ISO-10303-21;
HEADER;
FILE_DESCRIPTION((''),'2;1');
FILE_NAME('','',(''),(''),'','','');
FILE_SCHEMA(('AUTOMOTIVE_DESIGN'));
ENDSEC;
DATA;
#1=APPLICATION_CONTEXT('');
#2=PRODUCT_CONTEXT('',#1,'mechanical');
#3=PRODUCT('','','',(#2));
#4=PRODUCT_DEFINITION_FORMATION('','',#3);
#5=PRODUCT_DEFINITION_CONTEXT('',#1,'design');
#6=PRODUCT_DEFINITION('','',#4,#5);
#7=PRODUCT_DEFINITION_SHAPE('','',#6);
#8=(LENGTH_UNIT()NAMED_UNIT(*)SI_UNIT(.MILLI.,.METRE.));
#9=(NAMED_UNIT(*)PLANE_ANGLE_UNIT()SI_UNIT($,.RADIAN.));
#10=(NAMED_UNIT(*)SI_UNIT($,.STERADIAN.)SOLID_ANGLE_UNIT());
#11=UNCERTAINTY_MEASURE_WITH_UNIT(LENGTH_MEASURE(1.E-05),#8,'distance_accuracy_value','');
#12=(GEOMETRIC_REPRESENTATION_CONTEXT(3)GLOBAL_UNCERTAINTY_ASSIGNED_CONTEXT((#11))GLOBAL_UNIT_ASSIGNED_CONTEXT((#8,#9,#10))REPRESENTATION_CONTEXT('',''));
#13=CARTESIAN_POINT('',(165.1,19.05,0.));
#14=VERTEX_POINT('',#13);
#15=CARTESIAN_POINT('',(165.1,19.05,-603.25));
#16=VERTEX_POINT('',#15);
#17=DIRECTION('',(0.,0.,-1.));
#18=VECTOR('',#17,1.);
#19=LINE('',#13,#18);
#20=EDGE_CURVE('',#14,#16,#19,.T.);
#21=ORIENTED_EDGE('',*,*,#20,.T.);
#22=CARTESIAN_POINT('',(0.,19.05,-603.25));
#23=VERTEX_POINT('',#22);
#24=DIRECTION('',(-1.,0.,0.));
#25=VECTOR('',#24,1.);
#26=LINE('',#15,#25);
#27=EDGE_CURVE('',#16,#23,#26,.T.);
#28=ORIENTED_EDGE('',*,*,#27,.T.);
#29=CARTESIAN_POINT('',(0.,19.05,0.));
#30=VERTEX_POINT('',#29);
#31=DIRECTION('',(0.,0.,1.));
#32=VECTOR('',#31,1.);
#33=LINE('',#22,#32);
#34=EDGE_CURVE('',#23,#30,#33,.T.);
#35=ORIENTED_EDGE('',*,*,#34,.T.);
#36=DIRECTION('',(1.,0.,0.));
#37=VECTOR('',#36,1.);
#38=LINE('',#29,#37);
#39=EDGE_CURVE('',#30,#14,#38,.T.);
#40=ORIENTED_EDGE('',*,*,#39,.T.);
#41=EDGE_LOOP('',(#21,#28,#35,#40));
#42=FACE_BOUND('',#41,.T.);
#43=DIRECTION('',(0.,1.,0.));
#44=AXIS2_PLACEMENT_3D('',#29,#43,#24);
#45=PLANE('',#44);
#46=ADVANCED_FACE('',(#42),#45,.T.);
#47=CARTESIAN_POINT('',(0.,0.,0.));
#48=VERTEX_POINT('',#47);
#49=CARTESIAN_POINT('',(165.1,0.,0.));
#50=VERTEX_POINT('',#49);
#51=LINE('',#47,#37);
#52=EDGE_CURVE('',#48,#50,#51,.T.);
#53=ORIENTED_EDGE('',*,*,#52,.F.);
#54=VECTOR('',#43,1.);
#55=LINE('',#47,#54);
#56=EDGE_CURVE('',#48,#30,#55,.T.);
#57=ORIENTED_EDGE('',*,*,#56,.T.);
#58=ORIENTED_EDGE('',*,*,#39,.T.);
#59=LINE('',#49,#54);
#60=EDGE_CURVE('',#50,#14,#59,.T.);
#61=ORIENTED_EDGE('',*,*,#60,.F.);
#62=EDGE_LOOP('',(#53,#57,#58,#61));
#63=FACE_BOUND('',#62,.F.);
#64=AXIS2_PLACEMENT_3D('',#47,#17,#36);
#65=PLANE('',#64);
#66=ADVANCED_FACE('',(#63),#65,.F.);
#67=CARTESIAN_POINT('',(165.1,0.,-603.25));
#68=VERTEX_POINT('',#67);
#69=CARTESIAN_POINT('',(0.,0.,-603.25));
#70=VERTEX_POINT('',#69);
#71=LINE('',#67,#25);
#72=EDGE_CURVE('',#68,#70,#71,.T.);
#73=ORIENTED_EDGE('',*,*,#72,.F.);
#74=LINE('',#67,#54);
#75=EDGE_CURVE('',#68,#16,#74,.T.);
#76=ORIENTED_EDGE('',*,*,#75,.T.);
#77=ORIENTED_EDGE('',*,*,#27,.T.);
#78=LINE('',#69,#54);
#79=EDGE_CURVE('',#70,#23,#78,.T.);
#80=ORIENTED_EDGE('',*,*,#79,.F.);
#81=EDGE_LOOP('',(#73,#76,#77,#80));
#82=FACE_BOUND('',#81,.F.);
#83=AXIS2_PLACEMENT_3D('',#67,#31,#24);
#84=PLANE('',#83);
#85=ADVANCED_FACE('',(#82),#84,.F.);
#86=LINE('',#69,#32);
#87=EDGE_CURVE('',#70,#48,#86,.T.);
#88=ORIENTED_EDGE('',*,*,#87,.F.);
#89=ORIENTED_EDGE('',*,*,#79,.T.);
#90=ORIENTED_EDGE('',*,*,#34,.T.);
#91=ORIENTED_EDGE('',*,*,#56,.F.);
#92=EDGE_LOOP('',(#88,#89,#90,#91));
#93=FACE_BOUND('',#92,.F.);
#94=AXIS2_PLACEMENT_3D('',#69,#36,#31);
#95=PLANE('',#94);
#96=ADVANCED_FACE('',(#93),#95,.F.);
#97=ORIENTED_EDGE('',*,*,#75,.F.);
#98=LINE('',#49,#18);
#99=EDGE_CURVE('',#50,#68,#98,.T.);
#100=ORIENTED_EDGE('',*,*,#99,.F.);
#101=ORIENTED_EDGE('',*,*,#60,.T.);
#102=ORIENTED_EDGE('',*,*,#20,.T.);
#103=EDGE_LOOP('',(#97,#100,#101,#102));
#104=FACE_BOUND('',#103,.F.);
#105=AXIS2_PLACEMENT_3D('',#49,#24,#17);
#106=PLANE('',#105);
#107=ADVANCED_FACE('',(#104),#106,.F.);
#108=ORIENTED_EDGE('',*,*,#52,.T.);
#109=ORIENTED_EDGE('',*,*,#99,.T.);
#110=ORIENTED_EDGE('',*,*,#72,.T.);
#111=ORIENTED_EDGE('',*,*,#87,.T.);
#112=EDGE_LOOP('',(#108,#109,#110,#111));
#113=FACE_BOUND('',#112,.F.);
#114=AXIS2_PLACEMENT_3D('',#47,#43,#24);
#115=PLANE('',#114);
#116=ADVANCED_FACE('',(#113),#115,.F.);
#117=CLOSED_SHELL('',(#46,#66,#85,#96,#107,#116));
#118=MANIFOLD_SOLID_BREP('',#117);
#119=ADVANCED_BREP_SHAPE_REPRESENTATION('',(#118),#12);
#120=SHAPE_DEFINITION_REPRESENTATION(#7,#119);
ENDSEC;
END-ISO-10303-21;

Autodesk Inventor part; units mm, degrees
ref_plane "YZ Plane" through (0, 0, 0) normal (1, 0, 0) x (0, 1, 0)
ref_plane "XZ Plane" through (0, 0, 0) normal (0, 1, 0) x (-1, 0, 0)
ref_plane "XY Plane" through (0, 0, 0) normal (0, 0, 1) x (1, 0, 0)
sketch "Sketch1" plane through (0, 0, 0) normal (0, 1, 0) x (-1, 0, 0)
  line L0 (0, 0) -> (-165.1, 0)
  line L1 (-165.1, 0) -> (-165.1, -603.25)
  line L2 (-165.1, -603.25) -> (0, -603.25)
  line L3 (0, -603.25) -> (0, 0)
  dimension "d1" = 603.25
  dimension "d4" = 165.1
extrude "Board" add sketch "Sketch1" along normal blind 19.05
properties part number "Caster Block"
